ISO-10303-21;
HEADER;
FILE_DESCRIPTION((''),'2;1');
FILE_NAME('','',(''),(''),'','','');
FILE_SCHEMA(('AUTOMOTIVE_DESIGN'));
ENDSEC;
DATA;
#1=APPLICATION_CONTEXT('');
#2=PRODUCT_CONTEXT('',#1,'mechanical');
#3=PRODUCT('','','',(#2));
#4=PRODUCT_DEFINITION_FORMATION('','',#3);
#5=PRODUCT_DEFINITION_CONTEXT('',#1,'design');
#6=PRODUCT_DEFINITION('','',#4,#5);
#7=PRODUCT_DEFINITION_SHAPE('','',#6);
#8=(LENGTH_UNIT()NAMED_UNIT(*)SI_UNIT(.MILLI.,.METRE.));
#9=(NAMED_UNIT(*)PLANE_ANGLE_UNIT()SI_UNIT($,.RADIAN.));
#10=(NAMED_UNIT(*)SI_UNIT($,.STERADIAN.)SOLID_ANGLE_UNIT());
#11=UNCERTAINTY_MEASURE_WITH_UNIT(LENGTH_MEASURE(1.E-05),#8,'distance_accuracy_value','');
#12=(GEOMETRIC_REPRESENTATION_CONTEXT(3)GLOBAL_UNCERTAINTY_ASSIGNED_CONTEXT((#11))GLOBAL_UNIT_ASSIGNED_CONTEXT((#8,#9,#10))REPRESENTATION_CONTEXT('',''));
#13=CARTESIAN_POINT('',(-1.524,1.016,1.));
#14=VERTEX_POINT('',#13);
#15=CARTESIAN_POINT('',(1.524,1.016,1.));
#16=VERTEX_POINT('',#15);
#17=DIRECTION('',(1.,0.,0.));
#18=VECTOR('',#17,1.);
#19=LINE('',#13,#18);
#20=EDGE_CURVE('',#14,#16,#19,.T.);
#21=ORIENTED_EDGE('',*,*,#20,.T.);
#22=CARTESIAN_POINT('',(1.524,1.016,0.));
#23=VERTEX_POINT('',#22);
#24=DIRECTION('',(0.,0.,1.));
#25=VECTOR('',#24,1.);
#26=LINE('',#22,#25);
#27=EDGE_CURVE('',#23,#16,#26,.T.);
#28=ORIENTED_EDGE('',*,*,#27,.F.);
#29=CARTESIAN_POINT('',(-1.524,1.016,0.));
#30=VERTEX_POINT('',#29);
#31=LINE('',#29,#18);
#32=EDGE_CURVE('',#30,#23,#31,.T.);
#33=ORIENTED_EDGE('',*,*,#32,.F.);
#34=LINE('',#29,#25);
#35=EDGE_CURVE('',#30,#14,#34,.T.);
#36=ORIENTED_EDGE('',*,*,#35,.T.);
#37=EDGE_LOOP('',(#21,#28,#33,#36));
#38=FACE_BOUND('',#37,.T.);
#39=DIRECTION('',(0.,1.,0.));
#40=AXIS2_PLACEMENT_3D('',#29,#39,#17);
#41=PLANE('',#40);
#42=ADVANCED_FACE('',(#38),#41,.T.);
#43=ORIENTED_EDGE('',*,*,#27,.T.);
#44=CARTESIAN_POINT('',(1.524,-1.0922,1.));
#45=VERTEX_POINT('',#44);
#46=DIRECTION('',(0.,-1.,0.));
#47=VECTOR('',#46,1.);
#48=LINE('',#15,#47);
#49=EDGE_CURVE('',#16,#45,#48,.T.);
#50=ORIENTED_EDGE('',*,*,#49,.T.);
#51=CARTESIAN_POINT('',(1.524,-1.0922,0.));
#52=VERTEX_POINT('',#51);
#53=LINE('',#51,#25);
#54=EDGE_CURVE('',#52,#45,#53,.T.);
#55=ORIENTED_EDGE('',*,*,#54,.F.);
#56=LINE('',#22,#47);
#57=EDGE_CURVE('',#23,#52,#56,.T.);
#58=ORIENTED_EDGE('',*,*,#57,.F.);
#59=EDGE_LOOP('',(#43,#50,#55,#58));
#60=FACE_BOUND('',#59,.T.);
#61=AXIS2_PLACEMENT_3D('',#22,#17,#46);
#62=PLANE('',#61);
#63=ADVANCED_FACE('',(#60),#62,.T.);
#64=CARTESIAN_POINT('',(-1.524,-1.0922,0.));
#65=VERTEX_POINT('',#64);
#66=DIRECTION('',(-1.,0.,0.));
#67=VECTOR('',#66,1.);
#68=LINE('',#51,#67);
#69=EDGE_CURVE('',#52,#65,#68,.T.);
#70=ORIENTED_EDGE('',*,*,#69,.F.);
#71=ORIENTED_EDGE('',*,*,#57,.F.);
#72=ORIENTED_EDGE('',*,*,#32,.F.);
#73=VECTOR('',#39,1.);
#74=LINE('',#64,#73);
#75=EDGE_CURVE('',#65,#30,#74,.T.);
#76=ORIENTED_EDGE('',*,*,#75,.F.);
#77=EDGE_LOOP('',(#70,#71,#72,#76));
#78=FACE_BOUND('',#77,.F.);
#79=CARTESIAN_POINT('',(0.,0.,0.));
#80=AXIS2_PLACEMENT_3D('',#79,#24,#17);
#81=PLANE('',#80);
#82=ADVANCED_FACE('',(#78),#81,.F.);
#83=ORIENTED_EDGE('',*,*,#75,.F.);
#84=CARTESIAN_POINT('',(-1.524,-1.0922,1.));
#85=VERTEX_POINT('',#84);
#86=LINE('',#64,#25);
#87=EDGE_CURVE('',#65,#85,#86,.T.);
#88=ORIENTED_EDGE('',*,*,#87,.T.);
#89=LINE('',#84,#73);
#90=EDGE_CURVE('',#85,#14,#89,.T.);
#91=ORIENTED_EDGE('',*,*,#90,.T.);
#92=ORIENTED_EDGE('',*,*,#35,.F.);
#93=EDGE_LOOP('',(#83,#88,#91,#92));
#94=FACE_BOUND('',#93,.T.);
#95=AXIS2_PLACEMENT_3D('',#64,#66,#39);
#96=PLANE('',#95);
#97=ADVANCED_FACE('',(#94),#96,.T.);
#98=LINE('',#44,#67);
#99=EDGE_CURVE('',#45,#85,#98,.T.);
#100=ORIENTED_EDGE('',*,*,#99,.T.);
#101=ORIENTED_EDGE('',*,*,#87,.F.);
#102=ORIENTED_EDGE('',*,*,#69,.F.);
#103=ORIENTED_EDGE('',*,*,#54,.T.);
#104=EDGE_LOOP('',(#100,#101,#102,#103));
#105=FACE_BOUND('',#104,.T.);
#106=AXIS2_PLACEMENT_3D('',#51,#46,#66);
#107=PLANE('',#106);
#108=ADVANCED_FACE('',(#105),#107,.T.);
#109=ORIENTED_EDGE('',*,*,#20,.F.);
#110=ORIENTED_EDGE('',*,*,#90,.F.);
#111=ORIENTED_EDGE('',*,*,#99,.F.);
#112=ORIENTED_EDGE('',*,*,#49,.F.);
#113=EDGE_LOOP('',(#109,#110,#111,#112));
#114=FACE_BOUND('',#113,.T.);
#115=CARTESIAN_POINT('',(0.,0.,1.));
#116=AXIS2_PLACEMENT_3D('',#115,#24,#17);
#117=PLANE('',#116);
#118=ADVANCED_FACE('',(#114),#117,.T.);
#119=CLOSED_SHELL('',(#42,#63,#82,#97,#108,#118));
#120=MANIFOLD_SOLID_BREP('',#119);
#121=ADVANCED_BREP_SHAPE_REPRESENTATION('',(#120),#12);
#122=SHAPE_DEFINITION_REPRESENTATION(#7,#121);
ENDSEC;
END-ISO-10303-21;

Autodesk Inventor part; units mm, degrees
ref_plane "YZ Plane" through (0, 0, 0) normal (1, 0, 0) x (0, 1, 0)
ref_plane "XZ Plane" through (0, 0, 0) normal (0, 1, 0) x (-1, 0, 0)
ref_plane "XY Plane" through (0, 0, 0) normal (0, 0, 1) x (1, 0, 0)
sketch3d "PAD-JUMPER-3-NC_BY_PASTE_YES_SILK_FULL_BOX, JUMPER-PAD-3-NC_"
sketch "PAD-JUMPER-3-NC_BY_PASTE_YES_SILK_FULL_BOX, JUMPER-PAD-3-NC_BY_PASTE_52" plane through (0, 0, 0) normal (0, 0, 1) x (1, 0, 0)
  line L0 (-1.524, 1.016) -> (1.524, 1.016)
  line L1 (1.524, 1.016) -> (1.524, -1.0922)
  line L2 (1.524, -1.0922) -> (-1.524, -1.0922)
  line L3 (-1.524, -1.0922) -> (-1.524, 1.016)
extrude "Extrusion1" add sketch "PAD-JUMPER-3-NC_BY_PASTE_YES_SILK_FULL_BOX, JUMPER-PAD-3-NC_BY_PASTE_52" along normal blind 1
properties part number "JUMPER-PAD-3-NC_BY_PASTE"
